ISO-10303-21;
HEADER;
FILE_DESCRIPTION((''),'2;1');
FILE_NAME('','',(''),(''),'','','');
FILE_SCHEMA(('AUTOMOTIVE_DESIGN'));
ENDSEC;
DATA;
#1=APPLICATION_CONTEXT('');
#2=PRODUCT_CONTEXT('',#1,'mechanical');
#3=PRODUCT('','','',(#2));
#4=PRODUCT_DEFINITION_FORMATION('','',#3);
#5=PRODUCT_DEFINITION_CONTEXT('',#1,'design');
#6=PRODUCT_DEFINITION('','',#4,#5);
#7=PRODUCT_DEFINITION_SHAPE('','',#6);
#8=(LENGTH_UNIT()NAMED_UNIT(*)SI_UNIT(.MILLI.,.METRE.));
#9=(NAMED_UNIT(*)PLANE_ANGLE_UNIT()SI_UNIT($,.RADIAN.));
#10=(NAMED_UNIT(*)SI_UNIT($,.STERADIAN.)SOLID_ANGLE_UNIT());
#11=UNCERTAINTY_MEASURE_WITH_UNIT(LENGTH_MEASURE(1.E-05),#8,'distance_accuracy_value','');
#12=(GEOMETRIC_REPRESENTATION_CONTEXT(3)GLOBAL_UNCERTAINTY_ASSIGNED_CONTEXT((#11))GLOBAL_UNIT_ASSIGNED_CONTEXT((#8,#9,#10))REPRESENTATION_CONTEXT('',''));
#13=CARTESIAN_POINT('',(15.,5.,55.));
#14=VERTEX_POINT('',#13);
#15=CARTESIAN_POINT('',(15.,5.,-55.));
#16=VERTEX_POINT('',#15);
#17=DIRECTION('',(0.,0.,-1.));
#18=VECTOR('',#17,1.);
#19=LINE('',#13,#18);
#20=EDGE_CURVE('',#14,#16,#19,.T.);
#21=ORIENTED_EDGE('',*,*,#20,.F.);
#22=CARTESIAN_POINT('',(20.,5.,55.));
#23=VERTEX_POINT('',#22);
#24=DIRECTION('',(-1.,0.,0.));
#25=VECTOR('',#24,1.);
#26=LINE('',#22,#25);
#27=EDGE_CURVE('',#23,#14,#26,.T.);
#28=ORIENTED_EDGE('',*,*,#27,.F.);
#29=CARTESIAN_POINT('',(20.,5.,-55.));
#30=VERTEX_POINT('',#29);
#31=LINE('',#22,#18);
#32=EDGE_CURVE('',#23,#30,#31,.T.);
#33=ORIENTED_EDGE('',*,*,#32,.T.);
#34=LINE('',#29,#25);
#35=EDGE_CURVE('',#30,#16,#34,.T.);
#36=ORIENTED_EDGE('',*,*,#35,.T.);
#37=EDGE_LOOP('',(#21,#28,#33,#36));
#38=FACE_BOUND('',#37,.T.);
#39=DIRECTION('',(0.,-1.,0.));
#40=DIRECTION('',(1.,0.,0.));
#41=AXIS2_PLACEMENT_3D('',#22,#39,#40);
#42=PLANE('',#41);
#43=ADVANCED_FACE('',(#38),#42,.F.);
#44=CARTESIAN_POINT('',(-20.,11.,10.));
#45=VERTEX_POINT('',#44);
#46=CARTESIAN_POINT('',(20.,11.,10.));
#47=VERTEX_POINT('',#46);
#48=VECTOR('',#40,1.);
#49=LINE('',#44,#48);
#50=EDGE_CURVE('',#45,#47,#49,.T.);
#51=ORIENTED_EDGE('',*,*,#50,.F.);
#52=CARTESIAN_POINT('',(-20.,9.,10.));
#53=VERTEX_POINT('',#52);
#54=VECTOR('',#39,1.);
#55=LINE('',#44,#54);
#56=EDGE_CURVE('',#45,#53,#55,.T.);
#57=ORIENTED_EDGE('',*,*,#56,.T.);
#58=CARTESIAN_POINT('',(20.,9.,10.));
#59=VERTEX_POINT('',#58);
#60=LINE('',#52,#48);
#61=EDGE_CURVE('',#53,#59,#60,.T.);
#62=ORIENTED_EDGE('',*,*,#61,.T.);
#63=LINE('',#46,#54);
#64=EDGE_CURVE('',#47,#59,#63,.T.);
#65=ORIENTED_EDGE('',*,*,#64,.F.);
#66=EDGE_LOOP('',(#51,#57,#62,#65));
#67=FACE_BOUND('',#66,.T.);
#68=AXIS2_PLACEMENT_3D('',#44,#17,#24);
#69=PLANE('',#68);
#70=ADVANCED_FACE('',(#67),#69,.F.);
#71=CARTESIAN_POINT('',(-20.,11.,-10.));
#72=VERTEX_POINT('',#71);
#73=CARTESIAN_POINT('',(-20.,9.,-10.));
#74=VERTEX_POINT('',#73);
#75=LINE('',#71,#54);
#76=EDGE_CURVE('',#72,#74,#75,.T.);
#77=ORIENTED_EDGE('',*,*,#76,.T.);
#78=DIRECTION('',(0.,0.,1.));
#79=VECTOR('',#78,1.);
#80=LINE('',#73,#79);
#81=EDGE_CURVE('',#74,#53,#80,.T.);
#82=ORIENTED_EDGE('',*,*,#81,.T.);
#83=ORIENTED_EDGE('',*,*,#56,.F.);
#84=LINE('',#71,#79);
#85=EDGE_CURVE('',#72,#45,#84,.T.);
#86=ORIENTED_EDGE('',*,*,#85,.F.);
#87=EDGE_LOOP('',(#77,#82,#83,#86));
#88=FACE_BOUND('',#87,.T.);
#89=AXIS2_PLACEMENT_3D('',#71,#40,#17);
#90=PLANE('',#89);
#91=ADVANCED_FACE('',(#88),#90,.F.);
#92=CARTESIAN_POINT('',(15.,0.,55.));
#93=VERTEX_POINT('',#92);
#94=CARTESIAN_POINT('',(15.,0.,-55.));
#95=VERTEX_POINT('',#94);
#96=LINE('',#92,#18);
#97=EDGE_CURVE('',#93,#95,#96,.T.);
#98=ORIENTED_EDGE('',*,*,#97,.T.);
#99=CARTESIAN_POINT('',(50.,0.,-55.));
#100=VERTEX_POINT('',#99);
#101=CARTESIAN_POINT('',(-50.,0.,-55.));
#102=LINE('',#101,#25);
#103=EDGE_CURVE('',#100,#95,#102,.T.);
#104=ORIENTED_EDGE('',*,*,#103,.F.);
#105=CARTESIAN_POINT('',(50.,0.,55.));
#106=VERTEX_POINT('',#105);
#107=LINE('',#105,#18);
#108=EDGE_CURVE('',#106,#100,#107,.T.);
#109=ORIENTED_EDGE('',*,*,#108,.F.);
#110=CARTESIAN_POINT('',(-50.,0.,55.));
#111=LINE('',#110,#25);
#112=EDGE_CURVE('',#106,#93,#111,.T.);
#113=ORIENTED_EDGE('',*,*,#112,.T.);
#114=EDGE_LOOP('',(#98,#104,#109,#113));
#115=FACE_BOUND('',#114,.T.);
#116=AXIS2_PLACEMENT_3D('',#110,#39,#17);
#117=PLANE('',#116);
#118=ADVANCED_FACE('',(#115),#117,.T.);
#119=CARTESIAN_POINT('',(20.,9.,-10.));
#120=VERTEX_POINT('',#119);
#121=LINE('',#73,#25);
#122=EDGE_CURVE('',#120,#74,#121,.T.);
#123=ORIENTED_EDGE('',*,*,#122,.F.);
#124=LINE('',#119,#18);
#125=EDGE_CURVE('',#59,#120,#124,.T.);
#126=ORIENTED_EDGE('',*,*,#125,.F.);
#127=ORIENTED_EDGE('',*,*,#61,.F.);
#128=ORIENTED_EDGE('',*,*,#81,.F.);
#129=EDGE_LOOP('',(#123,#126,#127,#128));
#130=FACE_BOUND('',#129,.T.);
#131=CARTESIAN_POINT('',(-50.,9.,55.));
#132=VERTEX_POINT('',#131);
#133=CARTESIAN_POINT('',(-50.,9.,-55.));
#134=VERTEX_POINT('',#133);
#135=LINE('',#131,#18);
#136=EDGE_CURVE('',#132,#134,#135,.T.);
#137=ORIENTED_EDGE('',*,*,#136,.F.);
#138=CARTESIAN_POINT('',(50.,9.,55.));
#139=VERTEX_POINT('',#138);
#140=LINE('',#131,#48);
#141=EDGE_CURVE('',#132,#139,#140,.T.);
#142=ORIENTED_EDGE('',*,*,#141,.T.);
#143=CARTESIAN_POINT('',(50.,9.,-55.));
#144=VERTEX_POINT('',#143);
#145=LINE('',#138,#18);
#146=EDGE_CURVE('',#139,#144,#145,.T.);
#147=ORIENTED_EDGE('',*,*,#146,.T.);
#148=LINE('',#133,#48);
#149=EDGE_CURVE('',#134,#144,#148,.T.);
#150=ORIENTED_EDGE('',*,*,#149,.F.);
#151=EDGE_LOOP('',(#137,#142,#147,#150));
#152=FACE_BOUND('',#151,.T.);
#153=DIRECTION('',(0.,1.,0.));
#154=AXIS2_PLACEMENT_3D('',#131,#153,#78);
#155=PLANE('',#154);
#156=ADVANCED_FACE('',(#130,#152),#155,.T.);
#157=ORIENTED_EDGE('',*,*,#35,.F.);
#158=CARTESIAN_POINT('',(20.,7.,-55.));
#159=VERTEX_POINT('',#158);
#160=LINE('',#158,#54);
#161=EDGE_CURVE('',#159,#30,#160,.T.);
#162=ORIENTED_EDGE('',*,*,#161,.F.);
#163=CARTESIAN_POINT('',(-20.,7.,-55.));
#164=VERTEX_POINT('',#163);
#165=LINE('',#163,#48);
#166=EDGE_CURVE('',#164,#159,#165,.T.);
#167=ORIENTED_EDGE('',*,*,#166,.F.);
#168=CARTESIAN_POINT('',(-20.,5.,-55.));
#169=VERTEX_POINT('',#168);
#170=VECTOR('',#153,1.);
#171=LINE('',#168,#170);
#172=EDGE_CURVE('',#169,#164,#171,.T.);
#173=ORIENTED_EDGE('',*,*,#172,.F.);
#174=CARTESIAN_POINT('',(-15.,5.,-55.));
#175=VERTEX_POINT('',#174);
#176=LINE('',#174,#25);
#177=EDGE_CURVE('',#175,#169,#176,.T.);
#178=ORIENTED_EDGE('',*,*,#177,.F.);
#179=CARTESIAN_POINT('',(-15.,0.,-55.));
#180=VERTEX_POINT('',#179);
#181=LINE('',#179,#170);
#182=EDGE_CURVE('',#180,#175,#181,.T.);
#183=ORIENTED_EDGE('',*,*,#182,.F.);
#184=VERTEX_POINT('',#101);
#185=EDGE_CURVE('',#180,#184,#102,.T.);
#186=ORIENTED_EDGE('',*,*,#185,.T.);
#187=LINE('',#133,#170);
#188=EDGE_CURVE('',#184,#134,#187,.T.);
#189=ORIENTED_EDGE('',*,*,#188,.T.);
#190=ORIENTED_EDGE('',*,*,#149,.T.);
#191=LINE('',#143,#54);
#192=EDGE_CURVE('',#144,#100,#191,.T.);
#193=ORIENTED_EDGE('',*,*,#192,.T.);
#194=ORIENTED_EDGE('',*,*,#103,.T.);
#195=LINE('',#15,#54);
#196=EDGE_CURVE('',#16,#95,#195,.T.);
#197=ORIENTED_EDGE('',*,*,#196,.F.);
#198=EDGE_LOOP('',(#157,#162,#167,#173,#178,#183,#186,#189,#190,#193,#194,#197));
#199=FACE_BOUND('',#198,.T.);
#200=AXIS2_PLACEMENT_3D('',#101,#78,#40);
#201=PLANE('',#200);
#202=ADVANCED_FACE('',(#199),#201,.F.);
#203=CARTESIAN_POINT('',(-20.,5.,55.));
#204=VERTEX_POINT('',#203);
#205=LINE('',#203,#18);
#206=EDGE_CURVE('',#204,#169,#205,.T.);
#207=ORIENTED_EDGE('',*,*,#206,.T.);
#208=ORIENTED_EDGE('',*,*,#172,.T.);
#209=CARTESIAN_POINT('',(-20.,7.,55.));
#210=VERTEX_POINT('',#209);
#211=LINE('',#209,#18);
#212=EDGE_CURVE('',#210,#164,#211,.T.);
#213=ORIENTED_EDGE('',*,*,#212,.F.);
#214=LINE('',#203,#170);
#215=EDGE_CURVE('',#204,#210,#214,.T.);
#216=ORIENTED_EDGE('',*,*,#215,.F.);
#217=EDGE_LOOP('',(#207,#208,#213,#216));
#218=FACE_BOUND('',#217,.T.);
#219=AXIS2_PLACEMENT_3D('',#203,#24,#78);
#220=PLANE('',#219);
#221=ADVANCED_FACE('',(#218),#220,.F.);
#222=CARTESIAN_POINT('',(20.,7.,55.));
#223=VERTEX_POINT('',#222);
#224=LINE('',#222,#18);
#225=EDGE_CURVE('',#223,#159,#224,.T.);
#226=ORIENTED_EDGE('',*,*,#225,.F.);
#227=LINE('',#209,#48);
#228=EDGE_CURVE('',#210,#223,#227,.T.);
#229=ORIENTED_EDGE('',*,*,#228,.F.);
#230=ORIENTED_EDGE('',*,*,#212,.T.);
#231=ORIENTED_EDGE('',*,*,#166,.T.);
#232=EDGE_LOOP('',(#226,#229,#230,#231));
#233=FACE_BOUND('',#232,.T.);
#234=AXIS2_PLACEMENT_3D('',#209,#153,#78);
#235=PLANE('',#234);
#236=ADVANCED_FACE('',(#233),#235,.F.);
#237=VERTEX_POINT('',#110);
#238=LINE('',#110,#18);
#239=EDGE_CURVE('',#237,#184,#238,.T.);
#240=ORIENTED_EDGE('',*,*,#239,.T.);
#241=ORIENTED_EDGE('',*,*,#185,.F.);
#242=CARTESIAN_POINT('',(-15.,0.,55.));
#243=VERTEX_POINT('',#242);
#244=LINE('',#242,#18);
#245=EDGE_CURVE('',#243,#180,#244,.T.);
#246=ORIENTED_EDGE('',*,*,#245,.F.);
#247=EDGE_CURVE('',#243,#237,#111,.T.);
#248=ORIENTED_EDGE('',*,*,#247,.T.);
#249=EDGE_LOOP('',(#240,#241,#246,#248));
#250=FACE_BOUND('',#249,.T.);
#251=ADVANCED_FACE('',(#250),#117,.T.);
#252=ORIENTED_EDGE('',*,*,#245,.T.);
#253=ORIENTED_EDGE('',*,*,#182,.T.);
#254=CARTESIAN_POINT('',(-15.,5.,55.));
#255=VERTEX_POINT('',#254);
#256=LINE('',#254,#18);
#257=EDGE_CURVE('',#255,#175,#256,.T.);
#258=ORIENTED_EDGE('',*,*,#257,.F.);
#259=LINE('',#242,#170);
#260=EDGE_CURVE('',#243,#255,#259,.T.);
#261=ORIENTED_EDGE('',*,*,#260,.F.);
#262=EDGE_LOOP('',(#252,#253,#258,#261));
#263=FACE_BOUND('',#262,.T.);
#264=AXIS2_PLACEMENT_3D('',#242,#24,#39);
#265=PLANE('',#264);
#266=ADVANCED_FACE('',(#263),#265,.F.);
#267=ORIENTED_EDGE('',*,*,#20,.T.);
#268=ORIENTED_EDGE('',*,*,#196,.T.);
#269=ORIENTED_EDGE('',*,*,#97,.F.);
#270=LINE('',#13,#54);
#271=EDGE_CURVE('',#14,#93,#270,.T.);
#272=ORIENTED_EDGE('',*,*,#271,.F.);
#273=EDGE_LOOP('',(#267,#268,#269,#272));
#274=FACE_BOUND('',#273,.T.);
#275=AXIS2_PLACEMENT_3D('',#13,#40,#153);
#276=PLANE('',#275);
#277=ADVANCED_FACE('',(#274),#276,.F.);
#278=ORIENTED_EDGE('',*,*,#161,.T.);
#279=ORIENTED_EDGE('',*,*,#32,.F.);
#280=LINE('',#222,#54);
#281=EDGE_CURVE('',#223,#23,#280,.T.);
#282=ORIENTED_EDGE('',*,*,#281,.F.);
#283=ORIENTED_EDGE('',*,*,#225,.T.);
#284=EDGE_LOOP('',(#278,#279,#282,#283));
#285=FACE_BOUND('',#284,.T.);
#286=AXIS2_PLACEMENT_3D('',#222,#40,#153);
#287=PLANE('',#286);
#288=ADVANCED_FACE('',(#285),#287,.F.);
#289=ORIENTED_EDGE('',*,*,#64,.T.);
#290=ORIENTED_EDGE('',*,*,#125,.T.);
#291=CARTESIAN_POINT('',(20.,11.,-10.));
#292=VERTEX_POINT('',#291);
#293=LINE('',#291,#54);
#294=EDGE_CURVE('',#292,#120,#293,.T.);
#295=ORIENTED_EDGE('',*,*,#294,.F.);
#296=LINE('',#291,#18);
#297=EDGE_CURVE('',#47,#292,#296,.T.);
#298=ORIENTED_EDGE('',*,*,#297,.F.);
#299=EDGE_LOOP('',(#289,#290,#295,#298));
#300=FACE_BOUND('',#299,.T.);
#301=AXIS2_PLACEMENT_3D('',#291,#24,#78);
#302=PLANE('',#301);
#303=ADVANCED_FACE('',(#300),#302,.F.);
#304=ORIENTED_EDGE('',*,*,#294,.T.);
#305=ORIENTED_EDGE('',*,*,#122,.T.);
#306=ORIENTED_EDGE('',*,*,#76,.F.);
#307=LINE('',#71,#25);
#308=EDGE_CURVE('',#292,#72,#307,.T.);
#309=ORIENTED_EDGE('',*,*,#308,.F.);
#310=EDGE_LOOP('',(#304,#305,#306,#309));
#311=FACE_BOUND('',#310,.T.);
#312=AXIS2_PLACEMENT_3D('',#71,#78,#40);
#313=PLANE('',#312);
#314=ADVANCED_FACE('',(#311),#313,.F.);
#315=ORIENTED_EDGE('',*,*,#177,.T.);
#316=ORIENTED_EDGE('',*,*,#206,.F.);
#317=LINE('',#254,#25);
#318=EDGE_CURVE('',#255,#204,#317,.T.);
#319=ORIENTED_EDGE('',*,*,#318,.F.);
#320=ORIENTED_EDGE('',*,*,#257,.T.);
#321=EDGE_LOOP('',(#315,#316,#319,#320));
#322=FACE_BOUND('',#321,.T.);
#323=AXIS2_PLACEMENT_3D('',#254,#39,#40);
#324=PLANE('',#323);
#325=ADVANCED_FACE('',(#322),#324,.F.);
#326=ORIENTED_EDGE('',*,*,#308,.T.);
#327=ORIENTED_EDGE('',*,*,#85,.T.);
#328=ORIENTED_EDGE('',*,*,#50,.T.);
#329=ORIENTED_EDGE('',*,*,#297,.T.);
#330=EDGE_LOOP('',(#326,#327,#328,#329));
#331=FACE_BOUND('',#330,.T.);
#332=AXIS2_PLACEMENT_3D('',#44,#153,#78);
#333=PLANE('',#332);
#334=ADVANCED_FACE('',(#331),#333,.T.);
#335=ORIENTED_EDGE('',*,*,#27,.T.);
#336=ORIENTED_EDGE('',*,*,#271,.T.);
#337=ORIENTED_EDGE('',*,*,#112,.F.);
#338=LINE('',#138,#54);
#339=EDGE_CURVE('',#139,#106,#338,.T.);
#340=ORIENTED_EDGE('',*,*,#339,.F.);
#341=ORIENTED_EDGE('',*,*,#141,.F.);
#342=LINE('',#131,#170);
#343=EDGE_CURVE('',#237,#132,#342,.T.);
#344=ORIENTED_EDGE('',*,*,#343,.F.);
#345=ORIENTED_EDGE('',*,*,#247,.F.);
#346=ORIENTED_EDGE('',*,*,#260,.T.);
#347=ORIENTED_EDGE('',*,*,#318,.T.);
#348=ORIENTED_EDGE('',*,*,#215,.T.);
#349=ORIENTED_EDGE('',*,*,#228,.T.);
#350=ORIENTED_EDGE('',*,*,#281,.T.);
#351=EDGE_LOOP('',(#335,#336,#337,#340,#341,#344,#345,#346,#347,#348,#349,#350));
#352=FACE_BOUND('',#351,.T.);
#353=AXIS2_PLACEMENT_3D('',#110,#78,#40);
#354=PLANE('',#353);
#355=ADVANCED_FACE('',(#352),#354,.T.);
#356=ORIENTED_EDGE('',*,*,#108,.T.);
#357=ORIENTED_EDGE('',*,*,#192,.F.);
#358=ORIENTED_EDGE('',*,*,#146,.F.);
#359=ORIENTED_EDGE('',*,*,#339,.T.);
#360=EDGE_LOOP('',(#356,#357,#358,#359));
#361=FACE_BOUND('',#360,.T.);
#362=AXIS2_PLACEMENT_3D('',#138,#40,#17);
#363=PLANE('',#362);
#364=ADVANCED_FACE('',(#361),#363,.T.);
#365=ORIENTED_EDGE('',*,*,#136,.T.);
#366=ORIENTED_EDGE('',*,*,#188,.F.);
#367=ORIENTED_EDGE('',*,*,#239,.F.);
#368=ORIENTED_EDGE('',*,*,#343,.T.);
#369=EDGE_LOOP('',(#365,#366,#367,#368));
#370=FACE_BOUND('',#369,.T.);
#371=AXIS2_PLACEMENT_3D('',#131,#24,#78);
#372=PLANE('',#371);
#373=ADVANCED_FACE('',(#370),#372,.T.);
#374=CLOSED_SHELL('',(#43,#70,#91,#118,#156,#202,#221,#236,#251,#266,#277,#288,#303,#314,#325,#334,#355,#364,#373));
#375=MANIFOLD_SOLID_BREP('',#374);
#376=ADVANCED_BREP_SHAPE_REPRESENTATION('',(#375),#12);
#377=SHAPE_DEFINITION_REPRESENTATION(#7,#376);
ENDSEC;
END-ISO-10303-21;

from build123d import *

# Parameters (mm, degrees)
SKETCH2_W          = 100
SKETCH2_H          = 9
EXTRUDE1_DEPTH     = 55
CUT_EXTRUDE1_DEPTH = 111
SKETCH7_W          = 40
SKETCH7_H          = 20
EXTRUDE2_DEPTH     = 2


with BuildPart() as part:
    # Sketch2 → Extrude1 (new body, symmetric)
    with BuildSketch(Plane(origin=(0, 0, 0), x_dir=(-1, 0, 0), z_dir=(0, 0, -1))):
        with Locations((0, 4.5)):
            Rectangle(SKETCH2_W, SKETCH2_H)
    extrude(amount=EXTRUDE1_DEPTH, both=True)

    # Sketch5 → Cut-Extrude1 (cut, through all)
    with BuildSketch(Plane(origin=(0, 0, -55), x_dir=(-1, 0, 0), z_dir=(0, 0, -1))):
        Polygon((20, 5), (20, 7), (-20, 7), (-20, 5), (-15, 5), (-15, 0), (15, 0), (15, 5), align=None)
    extrude(amount=-CUT_EXTRUDE1_DEPTH, mode=Mode.SUBTRACT)

    # Sketch7 → Extrude2 (add)
    with BuildSketch(Plane(origin=(0, 9, 0), x_dir=(1, 0, 0), z_dir=(0, 1, 0))):
        Rectangle(SKETCH7_W, SKETCH7_H)
    extrude(amount=EXTRUDE2_DEPTH)


solid = part.part
